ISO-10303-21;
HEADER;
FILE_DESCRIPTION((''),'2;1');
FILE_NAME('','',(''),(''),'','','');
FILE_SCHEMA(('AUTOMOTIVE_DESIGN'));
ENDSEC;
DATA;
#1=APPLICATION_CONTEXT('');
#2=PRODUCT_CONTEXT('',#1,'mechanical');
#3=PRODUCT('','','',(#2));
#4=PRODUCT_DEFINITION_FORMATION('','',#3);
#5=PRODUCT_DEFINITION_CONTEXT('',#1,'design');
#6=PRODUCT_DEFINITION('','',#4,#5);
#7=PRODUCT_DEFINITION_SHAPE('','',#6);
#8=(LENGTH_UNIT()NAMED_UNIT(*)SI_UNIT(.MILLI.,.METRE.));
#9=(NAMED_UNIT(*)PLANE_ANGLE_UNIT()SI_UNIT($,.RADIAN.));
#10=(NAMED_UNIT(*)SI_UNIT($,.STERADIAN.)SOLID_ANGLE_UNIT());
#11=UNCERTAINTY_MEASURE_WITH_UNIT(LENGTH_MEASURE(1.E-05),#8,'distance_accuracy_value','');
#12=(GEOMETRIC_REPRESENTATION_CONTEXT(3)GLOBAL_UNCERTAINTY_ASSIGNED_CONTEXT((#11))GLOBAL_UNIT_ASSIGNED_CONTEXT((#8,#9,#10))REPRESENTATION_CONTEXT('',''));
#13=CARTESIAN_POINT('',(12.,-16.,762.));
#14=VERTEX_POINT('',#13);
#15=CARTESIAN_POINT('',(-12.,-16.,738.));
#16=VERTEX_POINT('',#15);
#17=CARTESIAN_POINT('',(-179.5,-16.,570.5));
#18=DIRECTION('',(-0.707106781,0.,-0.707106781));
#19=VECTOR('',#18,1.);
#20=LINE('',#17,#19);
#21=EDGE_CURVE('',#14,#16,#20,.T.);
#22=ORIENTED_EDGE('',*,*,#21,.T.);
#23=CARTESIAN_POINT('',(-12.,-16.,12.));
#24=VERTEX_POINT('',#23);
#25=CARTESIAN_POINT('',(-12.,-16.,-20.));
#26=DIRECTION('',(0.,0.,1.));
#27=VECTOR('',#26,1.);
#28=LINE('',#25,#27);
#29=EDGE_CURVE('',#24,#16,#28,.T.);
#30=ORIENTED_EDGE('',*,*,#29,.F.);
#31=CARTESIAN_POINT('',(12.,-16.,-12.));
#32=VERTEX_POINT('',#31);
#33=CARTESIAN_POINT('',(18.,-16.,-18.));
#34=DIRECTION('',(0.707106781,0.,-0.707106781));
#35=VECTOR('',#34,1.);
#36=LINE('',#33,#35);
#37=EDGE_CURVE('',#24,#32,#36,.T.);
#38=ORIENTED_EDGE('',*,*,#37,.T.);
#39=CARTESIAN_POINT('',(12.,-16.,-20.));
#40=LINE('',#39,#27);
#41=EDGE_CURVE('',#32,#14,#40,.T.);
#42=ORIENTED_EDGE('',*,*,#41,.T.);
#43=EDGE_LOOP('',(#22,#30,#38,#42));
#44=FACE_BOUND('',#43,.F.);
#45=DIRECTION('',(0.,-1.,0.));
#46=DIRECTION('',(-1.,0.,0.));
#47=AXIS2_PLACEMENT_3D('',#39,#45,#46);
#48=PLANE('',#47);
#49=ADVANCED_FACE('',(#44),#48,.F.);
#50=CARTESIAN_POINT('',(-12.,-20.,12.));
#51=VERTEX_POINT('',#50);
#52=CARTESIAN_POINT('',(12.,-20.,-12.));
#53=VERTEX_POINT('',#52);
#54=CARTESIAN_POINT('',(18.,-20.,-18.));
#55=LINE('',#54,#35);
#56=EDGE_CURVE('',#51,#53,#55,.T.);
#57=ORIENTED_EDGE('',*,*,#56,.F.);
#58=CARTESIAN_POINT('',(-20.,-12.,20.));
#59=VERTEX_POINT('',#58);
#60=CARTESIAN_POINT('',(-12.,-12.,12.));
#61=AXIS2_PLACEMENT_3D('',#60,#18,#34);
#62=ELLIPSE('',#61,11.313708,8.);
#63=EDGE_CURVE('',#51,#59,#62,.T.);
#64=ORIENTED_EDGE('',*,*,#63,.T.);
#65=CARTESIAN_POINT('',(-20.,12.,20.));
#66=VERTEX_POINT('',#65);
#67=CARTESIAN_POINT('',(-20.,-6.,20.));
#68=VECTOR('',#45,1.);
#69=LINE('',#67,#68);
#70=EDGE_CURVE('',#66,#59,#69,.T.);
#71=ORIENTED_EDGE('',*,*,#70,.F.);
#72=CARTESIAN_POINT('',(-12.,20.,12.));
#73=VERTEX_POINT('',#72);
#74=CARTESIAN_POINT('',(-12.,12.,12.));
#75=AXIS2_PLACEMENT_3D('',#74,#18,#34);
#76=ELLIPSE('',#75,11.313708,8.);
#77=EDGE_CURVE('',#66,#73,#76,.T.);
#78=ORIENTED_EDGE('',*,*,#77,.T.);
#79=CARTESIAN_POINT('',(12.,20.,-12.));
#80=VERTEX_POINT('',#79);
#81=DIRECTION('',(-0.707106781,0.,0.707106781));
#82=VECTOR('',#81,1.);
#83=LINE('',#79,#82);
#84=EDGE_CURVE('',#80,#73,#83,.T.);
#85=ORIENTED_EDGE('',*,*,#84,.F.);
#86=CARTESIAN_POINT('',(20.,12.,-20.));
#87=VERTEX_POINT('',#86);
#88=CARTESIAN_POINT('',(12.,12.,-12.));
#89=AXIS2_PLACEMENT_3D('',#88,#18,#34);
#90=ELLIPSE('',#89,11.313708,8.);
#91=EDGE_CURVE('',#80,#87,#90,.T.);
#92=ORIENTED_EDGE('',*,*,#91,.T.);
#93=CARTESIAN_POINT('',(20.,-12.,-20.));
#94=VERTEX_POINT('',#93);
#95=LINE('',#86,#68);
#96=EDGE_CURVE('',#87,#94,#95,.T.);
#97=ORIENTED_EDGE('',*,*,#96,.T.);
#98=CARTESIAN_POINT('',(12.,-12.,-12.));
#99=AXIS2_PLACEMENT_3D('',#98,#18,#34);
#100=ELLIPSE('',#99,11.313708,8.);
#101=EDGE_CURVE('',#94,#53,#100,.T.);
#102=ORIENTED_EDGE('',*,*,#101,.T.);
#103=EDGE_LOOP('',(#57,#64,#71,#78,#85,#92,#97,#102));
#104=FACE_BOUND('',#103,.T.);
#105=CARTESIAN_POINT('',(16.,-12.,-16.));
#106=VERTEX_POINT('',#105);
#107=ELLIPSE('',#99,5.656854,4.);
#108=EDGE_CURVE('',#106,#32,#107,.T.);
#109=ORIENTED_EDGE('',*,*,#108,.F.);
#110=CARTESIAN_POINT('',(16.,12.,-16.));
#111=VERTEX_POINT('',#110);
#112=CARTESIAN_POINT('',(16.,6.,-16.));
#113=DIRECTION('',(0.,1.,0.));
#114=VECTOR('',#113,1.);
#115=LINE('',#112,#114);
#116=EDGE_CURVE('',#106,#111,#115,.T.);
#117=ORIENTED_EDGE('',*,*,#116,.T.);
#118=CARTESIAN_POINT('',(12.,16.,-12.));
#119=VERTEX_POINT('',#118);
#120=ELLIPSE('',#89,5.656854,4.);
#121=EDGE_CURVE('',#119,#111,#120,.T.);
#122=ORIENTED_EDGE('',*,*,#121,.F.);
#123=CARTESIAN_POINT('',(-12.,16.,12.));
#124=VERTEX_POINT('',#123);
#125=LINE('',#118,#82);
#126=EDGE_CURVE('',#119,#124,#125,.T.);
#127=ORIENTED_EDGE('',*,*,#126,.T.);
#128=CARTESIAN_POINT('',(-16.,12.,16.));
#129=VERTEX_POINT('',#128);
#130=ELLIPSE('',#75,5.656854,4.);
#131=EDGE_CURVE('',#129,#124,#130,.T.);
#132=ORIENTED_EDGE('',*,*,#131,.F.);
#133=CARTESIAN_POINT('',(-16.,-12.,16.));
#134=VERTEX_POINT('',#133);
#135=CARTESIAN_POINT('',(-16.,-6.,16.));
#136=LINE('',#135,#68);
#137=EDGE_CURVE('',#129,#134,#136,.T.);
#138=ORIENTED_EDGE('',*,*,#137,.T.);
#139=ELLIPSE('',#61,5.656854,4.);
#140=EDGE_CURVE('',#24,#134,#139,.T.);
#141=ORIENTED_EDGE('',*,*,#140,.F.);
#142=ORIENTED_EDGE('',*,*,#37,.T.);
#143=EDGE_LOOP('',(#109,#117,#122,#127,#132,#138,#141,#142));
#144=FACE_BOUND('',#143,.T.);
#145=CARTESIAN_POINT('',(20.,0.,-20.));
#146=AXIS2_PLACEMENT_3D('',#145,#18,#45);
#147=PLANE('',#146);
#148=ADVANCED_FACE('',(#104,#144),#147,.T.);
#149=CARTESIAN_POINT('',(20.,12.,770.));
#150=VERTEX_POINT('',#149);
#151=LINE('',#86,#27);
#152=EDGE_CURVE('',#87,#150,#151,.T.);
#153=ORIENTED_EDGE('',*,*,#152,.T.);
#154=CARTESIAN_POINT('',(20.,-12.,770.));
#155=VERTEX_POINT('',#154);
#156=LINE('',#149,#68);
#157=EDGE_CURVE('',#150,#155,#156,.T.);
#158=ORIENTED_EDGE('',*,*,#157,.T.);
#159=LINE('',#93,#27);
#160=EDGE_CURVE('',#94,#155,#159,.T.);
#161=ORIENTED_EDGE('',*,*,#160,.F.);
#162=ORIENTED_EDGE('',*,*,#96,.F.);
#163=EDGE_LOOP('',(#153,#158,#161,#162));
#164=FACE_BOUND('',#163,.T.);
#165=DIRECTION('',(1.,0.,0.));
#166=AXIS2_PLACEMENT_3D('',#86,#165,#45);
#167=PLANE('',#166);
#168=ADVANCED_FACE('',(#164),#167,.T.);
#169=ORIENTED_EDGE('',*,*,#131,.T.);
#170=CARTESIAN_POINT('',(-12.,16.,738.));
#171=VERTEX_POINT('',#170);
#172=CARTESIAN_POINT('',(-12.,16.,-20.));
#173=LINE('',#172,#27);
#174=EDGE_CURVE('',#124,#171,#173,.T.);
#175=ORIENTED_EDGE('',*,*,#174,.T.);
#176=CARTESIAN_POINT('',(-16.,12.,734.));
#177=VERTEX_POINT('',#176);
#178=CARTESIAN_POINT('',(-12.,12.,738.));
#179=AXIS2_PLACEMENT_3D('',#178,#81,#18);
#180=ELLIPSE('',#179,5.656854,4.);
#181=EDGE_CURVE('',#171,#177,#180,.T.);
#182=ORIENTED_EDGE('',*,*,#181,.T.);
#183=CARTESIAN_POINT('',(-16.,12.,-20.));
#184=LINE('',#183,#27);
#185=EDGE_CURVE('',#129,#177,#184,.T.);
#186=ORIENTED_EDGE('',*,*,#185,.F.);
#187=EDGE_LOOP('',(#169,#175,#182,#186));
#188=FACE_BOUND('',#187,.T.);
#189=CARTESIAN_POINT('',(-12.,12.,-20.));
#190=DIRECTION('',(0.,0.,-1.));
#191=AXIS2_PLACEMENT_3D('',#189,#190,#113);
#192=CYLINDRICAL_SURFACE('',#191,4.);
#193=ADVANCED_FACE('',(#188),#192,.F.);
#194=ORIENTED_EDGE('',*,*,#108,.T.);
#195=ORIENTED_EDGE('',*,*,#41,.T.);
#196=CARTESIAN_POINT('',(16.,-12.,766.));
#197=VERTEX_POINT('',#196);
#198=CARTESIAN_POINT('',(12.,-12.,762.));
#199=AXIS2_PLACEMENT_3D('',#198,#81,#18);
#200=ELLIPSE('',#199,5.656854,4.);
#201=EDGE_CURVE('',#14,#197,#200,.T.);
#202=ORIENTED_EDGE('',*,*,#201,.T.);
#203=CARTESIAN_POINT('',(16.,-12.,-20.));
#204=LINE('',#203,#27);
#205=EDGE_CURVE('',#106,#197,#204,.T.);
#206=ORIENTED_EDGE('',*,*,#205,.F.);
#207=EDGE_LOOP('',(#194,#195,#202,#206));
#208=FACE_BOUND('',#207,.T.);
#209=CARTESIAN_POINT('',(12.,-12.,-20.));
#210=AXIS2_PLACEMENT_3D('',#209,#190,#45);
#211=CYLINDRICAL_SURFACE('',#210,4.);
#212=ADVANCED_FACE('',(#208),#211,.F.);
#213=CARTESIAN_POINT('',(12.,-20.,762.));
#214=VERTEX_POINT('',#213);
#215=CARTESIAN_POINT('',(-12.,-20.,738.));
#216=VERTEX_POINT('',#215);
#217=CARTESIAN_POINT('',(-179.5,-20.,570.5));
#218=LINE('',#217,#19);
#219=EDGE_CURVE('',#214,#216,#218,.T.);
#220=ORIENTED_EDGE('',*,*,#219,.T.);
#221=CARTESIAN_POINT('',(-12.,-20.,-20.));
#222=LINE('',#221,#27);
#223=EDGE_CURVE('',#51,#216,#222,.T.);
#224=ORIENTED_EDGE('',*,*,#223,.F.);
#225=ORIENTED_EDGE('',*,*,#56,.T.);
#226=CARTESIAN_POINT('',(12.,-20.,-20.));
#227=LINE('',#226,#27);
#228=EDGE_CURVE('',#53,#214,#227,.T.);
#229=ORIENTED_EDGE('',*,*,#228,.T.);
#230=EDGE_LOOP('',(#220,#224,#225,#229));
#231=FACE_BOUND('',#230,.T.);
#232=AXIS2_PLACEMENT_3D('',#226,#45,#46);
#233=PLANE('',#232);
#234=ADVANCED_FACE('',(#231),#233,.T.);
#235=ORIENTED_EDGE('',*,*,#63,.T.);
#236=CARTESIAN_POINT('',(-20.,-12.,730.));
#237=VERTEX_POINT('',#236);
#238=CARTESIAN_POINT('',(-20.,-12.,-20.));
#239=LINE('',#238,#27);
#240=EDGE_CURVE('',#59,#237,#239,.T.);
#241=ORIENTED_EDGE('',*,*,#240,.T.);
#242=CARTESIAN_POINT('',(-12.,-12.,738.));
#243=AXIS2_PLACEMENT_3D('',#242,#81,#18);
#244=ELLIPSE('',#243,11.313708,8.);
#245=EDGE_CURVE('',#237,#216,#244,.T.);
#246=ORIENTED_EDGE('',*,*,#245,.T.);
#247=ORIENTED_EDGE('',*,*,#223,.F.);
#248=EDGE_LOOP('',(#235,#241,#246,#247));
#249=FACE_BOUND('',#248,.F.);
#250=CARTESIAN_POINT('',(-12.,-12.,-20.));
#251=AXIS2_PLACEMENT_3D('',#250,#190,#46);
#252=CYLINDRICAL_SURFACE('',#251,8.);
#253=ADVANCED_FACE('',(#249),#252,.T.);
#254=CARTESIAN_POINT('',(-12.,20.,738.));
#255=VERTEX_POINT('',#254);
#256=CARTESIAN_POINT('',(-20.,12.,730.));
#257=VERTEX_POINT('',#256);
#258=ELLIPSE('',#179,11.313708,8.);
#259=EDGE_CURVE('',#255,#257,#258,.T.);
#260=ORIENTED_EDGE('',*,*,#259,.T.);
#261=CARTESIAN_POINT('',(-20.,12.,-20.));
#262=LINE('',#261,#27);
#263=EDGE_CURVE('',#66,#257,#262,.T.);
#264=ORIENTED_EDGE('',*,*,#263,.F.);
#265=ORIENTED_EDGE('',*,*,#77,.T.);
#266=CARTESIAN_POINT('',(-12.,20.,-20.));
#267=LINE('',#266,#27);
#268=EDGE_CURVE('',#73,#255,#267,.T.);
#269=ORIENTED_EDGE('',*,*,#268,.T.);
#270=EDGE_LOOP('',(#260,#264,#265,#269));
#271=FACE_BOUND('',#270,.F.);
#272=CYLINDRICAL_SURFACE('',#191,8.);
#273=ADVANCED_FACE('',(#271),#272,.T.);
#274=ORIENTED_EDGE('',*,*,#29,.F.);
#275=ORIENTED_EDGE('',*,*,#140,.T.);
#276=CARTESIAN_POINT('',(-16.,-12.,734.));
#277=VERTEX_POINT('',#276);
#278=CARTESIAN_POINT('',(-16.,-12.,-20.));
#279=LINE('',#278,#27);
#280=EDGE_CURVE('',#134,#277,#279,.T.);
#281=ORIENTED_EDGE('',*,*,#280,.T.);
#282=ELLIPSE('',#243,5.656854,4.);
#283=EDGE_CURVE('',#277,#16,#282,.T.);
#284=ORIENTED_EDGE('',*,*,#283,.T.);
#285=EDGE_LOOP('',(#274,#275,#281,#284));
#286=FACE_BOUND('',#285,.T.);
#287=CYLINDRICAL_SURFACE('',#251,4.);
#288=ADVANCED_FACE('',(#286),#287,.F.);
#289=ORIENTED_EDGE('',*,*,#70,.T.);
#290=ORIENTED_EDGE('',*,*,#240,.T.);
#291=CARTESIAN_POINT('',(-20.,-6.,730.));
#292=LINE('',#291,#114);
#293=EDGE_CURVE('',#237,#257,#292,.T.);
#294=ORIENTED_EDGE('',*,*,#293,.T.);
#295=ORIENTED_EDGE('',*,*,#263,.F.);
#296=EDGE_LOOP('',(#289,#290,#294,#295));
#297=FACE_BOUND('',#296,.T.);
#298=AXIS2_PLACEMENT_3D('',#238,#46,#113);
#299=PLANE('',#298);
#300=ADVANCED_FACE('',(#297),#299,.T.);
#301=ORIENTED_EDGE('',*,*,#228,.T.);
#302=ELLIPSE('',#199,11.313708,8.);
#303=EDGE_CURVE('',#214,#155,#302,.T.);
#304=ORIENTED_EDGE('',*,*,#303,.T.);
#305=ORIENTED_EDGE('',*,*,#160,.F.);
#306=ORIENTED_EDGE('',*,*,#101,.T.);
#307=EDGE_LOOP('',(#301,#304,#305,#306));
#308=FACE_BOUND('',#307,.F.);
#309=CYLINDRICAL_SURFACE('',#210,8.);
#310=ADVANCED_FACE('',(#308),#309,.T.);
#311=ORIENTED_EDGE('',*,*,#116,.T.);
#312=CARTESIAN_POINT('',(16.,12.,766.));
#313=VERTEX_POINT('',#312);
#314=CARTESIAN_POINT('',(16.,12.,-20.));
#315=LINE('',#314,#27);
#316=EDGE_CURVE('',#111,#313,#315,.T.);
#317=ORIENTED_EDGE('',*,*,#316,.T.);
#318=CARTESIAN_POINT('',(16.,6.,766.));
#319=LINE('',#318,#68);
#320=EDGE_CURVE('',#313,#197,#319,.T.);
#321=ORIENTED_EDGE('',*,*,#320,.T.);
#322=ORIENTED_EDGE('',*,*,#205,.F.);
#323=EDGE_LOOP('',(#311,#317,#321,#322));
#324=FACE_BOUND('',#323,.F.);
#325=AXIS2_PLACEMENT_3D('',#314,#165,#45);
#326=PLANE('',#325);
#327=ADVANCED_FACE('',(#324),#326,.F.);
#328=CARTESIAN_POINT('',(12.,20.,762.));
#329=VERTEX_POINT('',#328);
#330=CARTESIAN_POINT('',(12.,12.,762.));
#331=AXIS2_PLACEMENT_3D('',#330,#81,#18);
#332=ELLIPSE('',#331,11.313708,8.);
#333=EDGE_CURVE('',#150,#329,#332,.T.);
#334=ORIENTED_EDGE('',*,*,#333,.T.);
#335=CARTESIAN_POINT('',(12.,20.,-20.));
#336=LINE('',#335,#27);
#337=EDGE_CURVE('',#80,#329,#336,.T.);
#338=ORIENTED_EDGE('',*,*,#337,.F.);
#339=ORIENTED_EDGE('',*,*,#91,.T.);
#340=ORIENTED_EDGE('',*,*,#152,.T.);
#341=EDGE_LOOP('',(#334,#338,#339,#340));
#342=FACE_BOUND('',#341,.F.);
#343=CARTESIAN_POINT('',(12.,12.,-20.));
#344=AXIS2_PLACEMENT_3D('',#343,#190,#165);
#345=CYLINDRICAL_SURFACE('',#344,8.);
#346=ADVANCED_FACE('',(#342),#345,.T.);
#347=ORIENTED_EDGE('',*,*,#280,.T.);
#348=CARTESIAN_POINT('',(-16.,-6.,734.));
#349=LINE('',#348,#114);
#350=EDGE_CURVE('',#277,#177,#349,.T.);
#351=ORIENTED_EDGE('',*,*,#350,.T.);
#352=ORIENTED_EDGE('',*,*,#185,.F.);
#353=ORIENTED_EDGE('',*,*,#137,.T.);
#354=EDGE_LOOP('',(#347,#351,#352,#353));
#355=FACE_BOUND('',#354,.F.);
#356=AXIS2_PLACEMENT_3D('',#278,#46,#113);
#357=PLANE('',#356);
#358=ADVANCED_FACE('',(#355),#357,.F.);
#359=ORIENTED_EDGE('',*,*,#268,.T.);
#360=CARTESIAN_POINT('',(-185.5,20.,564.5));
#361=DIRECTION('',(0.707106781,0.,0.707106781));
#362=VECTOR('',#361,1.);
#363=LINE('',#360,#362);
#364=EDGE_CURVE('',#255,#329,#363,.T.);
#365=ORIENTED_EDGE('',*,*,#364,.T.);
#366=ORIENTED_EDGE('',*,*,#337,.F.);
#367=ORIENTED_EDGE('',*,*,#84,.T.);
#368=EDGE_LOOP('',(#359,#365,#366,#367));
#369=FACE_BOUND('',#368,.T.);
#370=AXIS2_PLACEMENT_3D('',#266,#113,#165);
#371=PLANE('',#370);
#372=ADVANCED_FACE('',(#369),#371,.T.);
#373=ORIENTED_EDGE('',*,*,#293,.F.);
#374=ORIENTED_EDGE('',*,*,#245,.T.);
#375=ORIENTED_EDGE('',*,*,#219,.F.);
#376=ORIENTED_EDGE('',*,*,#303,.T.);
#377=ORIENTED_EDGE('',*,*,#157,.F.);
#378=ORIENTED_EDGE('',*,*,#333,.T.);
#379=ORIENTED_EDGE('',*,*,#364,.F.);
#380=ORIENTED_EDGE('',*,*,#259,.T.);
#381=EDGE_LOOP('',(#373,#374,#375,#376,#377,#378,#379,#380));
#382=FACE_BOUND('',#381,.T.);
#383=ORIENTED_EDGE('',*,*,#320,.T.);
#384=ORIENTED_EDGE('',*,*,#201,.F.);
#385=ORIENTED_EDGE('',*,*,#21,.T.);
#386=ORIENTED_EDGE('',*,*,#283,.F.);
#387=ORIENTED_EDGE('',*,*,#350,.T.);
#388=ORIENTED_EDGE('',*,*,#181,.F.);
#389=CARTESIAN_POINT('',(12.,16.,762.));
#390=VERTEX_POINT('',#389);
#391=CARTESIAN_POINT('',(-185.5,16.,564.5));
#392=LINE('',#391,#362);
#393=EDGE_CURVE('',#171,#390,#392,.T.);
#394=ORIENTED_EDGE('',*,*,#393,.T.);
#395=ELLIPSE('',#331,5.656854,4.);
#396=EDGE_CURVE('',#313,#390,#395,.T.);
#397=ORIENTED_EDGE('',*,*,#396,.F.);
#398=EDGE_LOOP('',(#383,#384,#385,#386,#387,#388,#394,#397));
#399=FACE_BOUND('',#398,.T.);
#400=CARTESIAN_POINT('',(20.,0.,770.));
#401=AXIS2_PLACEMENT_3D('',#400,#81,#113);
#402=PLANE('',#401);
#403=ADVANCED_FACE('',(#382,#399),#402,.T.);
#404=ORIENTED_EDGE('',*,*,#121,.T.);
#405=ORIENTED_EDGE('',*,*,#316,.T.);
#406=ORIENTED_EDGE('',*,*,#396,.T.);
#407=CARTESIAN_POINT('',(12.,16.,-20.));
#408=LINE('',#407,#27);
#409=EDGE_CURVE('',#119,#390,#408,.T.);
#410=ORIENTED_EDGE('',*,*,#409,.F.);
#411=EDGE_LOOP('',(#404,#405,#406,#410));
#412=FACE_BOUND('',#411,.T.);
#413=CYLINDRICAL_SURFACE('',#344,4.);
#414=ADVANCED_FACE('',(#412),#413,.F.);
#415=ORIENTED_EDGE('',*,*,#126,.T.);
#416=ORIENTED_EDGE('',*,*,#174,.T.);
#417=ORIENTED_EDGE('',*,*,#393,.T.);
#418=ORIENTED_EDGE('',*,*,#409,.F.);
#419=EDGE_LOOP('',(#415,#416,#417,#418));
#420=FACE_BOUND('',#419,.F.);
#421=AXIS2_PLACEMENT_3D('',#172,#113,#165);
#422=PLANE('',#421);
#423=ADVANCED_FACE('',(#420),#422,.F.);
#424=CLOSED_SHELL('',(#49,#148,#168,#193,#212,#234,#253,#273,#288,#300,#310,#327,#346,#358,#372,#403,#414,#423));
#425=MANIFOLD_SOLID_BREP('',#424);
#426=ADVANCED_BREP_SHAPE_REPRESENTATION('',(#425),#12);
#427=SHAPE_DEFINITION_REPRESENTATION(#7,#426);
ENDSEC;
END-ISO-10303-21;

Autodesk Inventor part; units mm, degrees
ref_plane "Start plane" through (0, 0, -20) normal (0, 0, 1) x (1, 0, 0)
ref_plane "End plane" through (0, 0, 770) normal (0, 0, 1) x (1, 0, 0)
sketch "Sketch" plane through (0, 0, 0) normal (0, 0, 1) x (1, 0, 0)
  line L0 (-20, -12) -> (-20, 12)
  line L1 (-12, 20) -> (12, 20)
  line L2 (20, 12) -> (20, -12)
  line L3 (12, -20) -> (-12, -20)
  arc A0 (-20, -12) -> (-12, -20) centre (-12, -12) ccw
  arc A1 (-12, 20) -> (-20, 12) centre (-12, 12) ccw
  arc A2 (20, 12) -> (12, 20) centre (12, 12) ccw
  arc A3 (12, -20) -> (20, -12) centre (12, -12) ccw
  arc A4 (-12, 16) -> (-16, 12) centre (-12, 12) ccw
  line L4 (-12, 16) -> (12, 16)
  arc A5 (16, 12) -> (12, 16) centre (12, 12) ccw
  line L5 (16, 12) -> (16, -12)
  arc A6 (12, -16) -> (16, -12) centre (12, -12) ccw
  line L6 (12, -16) -> (-12, -16)
  arc A7 (-16, -12) -> (-12, -16) centre (-12, -12) ccw
  line L7 (-16, -12) -> (-16, 12)
  line L8 (0, 30.3196) -> (0, -30.3196) construction
  line L9 (-30.3196, 0) -> (30.3196, 0) construction
  dimension "d7" = 8
  dimension "d10" = 40
  dimension "d11" = 40
  dimension "d12" = 4
  dimension "d15" = 20
  dimension "d16" = 20
extrude "Body" add sketch "Sketch" along normal up to surface (790 mm away) from surface at -20
sketch "Sketch3" plane through (0, 0, 0) normal (0, 0, 1) x (1, 0, 0)
  line L0 (0, 0) -> (10, 0)
ref_plane "Work Plane3" through (0, 0, 0) normal (0, -1, 0) x (1, 0, 0)
sketch "Sketch4" plane through (0, 0, 0) normal (0, -1, 0) x (1, 0, 0)
  line L0 (-2, -20) -> (12, -20)
  line L1 (-2, 770) -> (12, 770)
  dimension "d18" = 790
ref_plane "Work Plane4" through (20, 0, 770) normal (-0.7071, 0, 0.7071) x (0.7071, 0, 0.7071)
split "Split1" plane through (20, 0, 770) removes the side toward (-0.7071, 0, 0.7071)
ref_plane "Work Plane5" through (20, 0, -20) normal (-0.7071, 0, -0.7071) x (-0.7071, 0, 0.7071)
split "Split2" plane through (20, 0, -20) removes the side toward (-0.7071, 0, -0.7071)
equation "\"d7\" = G_IR"
equation "\"d10\" = G_H"
equation "\"d11\" = G_W"
equation "\"d12\" = G_T"
equation "\"d15\" = 0.5 * d10"
equation "\"d16\" = 0.5 * d11"
equation "\"d3\" = G_L"
equation "\"G_W\" = 40"
equation "\"G_H\" = 40"
equation "\"G_T\" = 4"
equation "\"G_IR\" = 8"
equation "\"G_L\" = d18"
equation "\"G_OFFSET_START\" = 20"
equation "\"G_OFFSET_END\" = 20"
equation "\"d13\" = -G_OFFSET_START"
equation "\"B_L\" = 750"
properties part number "DIN EN 10219-2 - 40 x 40 x 4  - 790" material "Steel, Mild"
